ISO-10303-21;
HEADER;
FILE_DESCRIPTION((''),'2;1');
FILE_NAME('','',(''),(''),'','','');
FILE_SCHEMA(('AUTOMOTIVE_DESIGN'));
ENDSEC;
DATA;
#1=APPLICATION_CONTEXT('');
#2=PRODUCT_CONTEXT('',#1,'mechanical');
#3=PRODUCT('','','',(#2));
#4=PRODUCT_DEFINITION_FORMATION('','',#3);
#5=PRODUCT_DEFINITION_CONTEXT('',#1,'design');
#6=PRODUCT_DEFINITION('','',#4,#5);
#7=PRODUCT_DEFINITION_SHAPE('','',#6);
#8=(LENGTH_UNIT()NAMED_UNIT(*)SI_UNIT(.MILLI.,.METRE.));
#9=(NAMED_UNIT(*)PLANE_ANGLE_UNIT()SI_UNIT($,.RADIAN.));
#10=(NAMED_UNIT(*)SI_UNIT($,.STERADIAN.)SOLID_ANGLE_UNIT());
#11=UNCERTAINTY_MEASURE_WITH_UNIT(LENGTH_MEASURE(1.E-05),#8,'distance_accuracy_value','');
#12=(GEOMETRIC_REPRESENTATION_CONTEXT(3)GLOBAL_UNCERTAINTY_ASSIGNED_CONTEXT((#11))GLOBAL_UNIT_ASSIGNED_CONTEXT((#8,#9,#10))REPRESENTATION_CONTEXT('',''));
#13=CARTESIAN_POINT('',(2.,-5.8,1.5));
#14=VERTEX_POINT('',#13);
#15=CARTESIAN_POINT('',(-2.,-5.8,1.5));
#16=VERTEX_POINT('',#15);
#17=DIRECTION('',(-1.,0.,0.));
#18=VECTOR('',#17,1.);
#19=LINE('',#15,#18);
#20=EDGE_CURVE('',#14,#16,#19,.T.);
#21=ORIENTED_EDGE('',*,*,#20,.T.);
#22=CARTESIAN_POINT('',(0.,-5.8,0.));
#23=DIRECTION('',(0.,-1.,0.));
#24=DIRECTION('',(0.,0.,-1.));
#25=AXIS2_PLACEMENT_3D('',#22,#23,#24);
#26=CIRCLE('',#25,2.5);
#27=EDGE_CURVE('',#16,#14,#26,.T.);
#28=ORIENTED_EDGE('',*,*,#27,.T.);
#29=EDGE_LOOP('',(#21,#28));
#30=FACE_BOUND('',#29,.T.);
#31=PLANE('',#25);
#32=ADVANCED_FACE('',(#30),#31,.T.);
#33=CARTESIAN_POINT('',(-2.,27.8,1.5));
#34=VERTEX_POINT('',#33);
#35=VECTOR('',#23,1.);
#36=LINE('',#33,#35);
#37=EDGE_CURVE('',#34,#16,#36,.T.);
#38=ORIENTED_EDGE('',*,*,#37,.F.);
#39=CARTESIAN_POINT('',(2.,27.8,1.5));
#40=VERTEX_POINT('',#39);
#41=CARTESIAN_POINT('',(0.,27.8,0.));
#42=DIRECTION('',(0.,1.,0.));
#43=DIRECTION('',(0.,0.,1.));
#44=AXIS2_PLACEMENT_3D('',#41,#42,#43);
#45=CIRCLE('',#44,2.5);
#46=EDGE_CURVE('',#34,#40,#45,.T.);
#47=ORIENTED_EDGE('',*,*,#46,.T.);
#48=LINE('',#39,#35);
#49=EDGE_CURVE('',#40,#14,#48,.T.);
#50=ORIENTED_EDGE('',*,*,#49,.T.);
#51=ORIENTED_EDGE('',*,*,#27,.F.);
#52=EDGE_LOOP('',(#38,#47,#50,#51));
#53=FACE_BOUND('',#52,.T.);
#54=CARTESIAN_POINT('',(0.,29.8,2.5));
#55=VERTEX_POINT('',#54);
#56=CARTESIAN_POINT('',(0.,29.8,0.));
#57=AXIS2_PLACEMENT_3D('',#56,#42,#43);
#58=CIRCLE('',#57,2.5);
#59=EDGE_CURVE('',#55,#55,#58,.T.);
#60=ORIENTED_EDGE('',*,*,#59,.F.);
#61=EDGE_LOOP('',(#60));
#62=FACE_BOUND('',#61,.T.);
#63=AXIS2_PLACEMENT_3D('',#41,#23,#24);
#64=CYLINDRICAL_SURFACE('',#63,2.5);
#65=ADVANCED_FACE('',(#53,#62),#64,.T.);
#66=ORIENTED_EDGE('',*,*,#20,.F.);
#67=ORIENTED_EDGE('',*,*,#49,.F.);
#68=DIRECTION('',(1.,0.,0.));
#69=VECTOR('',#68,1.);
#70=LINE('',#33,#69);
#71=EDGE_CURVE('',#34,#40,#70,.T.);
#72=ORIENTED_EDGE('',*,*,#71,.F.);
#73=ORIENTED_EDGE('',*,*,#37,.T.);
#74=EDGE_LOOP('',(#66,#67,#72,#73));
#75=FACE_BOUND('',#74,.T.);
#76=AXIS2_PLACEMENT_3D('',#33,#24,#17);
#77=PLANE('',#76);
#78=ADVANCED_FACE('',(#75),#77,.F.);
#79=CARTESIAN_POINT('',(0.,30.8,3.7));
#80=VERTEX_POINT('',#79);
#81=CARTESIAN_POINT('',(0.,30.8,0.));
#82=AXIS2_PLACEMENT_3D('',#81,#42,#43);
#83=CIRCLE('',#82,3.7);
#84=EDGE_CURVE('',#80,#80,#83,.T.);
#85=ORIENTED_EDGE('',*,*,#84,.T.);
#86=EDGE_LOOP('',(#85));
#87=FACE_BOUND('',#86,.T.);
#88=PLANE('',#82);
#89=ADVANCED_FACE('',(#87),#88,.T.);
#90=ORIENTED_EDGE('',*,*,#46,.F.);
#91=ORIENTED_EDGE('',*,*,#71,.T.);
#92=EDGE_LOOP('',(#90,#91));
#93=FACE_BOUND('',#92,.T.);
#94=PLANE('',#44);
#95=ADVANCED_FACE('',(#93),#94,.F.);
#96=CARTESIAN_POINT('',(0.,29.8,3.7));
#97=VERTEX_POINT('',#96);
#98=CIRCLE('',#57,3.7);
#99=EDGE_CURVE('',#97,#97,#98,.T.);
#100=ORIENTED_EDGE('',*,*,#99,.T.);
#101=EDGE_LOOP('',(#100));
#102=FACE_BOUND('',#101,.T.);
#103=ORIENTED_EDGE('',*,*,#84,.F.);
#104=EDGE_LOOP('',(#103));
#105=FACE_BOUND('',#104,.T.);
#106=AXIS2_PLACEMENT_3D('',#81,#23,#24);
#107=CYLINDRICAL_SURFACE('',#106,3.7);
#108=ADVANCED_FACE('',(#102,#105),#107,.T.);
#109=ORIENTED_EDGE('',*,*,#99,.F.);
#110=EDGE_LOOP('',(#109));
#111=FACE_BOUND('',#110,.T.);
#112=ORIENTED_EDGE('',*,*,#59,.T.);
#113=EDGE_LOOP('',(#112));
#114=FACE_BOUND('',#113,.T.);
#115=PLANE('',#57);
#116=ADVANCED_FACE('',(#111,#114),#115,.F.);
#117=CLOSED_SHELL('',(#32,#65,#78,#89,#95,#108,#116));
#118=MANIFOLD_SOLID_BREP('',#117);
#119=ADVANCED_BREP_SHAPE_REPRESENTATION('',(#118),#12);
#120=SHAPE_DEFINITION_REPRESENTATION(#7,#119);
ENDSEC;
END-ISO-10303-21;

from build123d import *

# Parameters (mm, degrees)
EXTRUDE_1_DEPTH = 27.8
SKETCH_2_R      = 2.5
EXTRUDE_2_DEPTH = 2
SKETCH_3_R      = 3.7
EXTRUDE_3_DEPTH = 1
EXTRUDE_4_DEPTH = 2
EXTRUDE_5_DEPTH = 3.8


with BuildPart() as part:
    # 草图1 → 凸台-拉伸1 (new body)
    with BuildSketch(Plane(origin=(0, 0, 0), x_dir=(1, 0, 0), z_dir=(0, 1, 0))):
        with BuildLine():
            Line((-2, -1.5), (2, -1.5))
            ThreePointArc((2, -1.5), (0, 2.5), (-2, -1.5))
        make_face()
    extrude(amount=EXTRUDE_1_DEPTH)

    # 草图2 → 凸台-拉伸2 (add)
    with BuildSketch(Plane(origin=(0, 27.8, 0), x_dir=(1, 0, 0), z_dir=(0, 1, 0))):
        Circle(SKETCH_2_R)
    extrude(amount=EXTRUDE_2_DEPTH)

    # 草图3 → 凸台-拉伸3 (add)
    with BuildSketch(Plane(origin=(0, 29.8, 0), x_dir=(1, 0, 0), z_dir=(0, 1, 0))):
        Circle(SKETCH_3_R)
    extrude(amount=EXTRUDE_3_DEPTH)

    # 草图4 → 凸台-拉伸4 (add)
    with BuildSketch(Plane.XZ):
        with BuildLine():
            Line((-2, 1.5), (2, 1.5))
            ThreePointArc((2, 1.5), (0, -2.5), (-2, 1.5))
        make_face()
    extrude(amount=EXTRUDE_4_DEPTH)

    # 草图5 → 凸台-拉伸5 (add)
    with BuildSketch(Plane.XZ.offset(2)):
        with BuildLine():
            Line((-2, 1.5), (2, 1.5))
            ThreePointArc((2, 1.5), (0, -2.5), (-2, 1.5))
        make_face()
    extrude(amount=EXTRUDE_5_DEPTH)


solid = part.part
